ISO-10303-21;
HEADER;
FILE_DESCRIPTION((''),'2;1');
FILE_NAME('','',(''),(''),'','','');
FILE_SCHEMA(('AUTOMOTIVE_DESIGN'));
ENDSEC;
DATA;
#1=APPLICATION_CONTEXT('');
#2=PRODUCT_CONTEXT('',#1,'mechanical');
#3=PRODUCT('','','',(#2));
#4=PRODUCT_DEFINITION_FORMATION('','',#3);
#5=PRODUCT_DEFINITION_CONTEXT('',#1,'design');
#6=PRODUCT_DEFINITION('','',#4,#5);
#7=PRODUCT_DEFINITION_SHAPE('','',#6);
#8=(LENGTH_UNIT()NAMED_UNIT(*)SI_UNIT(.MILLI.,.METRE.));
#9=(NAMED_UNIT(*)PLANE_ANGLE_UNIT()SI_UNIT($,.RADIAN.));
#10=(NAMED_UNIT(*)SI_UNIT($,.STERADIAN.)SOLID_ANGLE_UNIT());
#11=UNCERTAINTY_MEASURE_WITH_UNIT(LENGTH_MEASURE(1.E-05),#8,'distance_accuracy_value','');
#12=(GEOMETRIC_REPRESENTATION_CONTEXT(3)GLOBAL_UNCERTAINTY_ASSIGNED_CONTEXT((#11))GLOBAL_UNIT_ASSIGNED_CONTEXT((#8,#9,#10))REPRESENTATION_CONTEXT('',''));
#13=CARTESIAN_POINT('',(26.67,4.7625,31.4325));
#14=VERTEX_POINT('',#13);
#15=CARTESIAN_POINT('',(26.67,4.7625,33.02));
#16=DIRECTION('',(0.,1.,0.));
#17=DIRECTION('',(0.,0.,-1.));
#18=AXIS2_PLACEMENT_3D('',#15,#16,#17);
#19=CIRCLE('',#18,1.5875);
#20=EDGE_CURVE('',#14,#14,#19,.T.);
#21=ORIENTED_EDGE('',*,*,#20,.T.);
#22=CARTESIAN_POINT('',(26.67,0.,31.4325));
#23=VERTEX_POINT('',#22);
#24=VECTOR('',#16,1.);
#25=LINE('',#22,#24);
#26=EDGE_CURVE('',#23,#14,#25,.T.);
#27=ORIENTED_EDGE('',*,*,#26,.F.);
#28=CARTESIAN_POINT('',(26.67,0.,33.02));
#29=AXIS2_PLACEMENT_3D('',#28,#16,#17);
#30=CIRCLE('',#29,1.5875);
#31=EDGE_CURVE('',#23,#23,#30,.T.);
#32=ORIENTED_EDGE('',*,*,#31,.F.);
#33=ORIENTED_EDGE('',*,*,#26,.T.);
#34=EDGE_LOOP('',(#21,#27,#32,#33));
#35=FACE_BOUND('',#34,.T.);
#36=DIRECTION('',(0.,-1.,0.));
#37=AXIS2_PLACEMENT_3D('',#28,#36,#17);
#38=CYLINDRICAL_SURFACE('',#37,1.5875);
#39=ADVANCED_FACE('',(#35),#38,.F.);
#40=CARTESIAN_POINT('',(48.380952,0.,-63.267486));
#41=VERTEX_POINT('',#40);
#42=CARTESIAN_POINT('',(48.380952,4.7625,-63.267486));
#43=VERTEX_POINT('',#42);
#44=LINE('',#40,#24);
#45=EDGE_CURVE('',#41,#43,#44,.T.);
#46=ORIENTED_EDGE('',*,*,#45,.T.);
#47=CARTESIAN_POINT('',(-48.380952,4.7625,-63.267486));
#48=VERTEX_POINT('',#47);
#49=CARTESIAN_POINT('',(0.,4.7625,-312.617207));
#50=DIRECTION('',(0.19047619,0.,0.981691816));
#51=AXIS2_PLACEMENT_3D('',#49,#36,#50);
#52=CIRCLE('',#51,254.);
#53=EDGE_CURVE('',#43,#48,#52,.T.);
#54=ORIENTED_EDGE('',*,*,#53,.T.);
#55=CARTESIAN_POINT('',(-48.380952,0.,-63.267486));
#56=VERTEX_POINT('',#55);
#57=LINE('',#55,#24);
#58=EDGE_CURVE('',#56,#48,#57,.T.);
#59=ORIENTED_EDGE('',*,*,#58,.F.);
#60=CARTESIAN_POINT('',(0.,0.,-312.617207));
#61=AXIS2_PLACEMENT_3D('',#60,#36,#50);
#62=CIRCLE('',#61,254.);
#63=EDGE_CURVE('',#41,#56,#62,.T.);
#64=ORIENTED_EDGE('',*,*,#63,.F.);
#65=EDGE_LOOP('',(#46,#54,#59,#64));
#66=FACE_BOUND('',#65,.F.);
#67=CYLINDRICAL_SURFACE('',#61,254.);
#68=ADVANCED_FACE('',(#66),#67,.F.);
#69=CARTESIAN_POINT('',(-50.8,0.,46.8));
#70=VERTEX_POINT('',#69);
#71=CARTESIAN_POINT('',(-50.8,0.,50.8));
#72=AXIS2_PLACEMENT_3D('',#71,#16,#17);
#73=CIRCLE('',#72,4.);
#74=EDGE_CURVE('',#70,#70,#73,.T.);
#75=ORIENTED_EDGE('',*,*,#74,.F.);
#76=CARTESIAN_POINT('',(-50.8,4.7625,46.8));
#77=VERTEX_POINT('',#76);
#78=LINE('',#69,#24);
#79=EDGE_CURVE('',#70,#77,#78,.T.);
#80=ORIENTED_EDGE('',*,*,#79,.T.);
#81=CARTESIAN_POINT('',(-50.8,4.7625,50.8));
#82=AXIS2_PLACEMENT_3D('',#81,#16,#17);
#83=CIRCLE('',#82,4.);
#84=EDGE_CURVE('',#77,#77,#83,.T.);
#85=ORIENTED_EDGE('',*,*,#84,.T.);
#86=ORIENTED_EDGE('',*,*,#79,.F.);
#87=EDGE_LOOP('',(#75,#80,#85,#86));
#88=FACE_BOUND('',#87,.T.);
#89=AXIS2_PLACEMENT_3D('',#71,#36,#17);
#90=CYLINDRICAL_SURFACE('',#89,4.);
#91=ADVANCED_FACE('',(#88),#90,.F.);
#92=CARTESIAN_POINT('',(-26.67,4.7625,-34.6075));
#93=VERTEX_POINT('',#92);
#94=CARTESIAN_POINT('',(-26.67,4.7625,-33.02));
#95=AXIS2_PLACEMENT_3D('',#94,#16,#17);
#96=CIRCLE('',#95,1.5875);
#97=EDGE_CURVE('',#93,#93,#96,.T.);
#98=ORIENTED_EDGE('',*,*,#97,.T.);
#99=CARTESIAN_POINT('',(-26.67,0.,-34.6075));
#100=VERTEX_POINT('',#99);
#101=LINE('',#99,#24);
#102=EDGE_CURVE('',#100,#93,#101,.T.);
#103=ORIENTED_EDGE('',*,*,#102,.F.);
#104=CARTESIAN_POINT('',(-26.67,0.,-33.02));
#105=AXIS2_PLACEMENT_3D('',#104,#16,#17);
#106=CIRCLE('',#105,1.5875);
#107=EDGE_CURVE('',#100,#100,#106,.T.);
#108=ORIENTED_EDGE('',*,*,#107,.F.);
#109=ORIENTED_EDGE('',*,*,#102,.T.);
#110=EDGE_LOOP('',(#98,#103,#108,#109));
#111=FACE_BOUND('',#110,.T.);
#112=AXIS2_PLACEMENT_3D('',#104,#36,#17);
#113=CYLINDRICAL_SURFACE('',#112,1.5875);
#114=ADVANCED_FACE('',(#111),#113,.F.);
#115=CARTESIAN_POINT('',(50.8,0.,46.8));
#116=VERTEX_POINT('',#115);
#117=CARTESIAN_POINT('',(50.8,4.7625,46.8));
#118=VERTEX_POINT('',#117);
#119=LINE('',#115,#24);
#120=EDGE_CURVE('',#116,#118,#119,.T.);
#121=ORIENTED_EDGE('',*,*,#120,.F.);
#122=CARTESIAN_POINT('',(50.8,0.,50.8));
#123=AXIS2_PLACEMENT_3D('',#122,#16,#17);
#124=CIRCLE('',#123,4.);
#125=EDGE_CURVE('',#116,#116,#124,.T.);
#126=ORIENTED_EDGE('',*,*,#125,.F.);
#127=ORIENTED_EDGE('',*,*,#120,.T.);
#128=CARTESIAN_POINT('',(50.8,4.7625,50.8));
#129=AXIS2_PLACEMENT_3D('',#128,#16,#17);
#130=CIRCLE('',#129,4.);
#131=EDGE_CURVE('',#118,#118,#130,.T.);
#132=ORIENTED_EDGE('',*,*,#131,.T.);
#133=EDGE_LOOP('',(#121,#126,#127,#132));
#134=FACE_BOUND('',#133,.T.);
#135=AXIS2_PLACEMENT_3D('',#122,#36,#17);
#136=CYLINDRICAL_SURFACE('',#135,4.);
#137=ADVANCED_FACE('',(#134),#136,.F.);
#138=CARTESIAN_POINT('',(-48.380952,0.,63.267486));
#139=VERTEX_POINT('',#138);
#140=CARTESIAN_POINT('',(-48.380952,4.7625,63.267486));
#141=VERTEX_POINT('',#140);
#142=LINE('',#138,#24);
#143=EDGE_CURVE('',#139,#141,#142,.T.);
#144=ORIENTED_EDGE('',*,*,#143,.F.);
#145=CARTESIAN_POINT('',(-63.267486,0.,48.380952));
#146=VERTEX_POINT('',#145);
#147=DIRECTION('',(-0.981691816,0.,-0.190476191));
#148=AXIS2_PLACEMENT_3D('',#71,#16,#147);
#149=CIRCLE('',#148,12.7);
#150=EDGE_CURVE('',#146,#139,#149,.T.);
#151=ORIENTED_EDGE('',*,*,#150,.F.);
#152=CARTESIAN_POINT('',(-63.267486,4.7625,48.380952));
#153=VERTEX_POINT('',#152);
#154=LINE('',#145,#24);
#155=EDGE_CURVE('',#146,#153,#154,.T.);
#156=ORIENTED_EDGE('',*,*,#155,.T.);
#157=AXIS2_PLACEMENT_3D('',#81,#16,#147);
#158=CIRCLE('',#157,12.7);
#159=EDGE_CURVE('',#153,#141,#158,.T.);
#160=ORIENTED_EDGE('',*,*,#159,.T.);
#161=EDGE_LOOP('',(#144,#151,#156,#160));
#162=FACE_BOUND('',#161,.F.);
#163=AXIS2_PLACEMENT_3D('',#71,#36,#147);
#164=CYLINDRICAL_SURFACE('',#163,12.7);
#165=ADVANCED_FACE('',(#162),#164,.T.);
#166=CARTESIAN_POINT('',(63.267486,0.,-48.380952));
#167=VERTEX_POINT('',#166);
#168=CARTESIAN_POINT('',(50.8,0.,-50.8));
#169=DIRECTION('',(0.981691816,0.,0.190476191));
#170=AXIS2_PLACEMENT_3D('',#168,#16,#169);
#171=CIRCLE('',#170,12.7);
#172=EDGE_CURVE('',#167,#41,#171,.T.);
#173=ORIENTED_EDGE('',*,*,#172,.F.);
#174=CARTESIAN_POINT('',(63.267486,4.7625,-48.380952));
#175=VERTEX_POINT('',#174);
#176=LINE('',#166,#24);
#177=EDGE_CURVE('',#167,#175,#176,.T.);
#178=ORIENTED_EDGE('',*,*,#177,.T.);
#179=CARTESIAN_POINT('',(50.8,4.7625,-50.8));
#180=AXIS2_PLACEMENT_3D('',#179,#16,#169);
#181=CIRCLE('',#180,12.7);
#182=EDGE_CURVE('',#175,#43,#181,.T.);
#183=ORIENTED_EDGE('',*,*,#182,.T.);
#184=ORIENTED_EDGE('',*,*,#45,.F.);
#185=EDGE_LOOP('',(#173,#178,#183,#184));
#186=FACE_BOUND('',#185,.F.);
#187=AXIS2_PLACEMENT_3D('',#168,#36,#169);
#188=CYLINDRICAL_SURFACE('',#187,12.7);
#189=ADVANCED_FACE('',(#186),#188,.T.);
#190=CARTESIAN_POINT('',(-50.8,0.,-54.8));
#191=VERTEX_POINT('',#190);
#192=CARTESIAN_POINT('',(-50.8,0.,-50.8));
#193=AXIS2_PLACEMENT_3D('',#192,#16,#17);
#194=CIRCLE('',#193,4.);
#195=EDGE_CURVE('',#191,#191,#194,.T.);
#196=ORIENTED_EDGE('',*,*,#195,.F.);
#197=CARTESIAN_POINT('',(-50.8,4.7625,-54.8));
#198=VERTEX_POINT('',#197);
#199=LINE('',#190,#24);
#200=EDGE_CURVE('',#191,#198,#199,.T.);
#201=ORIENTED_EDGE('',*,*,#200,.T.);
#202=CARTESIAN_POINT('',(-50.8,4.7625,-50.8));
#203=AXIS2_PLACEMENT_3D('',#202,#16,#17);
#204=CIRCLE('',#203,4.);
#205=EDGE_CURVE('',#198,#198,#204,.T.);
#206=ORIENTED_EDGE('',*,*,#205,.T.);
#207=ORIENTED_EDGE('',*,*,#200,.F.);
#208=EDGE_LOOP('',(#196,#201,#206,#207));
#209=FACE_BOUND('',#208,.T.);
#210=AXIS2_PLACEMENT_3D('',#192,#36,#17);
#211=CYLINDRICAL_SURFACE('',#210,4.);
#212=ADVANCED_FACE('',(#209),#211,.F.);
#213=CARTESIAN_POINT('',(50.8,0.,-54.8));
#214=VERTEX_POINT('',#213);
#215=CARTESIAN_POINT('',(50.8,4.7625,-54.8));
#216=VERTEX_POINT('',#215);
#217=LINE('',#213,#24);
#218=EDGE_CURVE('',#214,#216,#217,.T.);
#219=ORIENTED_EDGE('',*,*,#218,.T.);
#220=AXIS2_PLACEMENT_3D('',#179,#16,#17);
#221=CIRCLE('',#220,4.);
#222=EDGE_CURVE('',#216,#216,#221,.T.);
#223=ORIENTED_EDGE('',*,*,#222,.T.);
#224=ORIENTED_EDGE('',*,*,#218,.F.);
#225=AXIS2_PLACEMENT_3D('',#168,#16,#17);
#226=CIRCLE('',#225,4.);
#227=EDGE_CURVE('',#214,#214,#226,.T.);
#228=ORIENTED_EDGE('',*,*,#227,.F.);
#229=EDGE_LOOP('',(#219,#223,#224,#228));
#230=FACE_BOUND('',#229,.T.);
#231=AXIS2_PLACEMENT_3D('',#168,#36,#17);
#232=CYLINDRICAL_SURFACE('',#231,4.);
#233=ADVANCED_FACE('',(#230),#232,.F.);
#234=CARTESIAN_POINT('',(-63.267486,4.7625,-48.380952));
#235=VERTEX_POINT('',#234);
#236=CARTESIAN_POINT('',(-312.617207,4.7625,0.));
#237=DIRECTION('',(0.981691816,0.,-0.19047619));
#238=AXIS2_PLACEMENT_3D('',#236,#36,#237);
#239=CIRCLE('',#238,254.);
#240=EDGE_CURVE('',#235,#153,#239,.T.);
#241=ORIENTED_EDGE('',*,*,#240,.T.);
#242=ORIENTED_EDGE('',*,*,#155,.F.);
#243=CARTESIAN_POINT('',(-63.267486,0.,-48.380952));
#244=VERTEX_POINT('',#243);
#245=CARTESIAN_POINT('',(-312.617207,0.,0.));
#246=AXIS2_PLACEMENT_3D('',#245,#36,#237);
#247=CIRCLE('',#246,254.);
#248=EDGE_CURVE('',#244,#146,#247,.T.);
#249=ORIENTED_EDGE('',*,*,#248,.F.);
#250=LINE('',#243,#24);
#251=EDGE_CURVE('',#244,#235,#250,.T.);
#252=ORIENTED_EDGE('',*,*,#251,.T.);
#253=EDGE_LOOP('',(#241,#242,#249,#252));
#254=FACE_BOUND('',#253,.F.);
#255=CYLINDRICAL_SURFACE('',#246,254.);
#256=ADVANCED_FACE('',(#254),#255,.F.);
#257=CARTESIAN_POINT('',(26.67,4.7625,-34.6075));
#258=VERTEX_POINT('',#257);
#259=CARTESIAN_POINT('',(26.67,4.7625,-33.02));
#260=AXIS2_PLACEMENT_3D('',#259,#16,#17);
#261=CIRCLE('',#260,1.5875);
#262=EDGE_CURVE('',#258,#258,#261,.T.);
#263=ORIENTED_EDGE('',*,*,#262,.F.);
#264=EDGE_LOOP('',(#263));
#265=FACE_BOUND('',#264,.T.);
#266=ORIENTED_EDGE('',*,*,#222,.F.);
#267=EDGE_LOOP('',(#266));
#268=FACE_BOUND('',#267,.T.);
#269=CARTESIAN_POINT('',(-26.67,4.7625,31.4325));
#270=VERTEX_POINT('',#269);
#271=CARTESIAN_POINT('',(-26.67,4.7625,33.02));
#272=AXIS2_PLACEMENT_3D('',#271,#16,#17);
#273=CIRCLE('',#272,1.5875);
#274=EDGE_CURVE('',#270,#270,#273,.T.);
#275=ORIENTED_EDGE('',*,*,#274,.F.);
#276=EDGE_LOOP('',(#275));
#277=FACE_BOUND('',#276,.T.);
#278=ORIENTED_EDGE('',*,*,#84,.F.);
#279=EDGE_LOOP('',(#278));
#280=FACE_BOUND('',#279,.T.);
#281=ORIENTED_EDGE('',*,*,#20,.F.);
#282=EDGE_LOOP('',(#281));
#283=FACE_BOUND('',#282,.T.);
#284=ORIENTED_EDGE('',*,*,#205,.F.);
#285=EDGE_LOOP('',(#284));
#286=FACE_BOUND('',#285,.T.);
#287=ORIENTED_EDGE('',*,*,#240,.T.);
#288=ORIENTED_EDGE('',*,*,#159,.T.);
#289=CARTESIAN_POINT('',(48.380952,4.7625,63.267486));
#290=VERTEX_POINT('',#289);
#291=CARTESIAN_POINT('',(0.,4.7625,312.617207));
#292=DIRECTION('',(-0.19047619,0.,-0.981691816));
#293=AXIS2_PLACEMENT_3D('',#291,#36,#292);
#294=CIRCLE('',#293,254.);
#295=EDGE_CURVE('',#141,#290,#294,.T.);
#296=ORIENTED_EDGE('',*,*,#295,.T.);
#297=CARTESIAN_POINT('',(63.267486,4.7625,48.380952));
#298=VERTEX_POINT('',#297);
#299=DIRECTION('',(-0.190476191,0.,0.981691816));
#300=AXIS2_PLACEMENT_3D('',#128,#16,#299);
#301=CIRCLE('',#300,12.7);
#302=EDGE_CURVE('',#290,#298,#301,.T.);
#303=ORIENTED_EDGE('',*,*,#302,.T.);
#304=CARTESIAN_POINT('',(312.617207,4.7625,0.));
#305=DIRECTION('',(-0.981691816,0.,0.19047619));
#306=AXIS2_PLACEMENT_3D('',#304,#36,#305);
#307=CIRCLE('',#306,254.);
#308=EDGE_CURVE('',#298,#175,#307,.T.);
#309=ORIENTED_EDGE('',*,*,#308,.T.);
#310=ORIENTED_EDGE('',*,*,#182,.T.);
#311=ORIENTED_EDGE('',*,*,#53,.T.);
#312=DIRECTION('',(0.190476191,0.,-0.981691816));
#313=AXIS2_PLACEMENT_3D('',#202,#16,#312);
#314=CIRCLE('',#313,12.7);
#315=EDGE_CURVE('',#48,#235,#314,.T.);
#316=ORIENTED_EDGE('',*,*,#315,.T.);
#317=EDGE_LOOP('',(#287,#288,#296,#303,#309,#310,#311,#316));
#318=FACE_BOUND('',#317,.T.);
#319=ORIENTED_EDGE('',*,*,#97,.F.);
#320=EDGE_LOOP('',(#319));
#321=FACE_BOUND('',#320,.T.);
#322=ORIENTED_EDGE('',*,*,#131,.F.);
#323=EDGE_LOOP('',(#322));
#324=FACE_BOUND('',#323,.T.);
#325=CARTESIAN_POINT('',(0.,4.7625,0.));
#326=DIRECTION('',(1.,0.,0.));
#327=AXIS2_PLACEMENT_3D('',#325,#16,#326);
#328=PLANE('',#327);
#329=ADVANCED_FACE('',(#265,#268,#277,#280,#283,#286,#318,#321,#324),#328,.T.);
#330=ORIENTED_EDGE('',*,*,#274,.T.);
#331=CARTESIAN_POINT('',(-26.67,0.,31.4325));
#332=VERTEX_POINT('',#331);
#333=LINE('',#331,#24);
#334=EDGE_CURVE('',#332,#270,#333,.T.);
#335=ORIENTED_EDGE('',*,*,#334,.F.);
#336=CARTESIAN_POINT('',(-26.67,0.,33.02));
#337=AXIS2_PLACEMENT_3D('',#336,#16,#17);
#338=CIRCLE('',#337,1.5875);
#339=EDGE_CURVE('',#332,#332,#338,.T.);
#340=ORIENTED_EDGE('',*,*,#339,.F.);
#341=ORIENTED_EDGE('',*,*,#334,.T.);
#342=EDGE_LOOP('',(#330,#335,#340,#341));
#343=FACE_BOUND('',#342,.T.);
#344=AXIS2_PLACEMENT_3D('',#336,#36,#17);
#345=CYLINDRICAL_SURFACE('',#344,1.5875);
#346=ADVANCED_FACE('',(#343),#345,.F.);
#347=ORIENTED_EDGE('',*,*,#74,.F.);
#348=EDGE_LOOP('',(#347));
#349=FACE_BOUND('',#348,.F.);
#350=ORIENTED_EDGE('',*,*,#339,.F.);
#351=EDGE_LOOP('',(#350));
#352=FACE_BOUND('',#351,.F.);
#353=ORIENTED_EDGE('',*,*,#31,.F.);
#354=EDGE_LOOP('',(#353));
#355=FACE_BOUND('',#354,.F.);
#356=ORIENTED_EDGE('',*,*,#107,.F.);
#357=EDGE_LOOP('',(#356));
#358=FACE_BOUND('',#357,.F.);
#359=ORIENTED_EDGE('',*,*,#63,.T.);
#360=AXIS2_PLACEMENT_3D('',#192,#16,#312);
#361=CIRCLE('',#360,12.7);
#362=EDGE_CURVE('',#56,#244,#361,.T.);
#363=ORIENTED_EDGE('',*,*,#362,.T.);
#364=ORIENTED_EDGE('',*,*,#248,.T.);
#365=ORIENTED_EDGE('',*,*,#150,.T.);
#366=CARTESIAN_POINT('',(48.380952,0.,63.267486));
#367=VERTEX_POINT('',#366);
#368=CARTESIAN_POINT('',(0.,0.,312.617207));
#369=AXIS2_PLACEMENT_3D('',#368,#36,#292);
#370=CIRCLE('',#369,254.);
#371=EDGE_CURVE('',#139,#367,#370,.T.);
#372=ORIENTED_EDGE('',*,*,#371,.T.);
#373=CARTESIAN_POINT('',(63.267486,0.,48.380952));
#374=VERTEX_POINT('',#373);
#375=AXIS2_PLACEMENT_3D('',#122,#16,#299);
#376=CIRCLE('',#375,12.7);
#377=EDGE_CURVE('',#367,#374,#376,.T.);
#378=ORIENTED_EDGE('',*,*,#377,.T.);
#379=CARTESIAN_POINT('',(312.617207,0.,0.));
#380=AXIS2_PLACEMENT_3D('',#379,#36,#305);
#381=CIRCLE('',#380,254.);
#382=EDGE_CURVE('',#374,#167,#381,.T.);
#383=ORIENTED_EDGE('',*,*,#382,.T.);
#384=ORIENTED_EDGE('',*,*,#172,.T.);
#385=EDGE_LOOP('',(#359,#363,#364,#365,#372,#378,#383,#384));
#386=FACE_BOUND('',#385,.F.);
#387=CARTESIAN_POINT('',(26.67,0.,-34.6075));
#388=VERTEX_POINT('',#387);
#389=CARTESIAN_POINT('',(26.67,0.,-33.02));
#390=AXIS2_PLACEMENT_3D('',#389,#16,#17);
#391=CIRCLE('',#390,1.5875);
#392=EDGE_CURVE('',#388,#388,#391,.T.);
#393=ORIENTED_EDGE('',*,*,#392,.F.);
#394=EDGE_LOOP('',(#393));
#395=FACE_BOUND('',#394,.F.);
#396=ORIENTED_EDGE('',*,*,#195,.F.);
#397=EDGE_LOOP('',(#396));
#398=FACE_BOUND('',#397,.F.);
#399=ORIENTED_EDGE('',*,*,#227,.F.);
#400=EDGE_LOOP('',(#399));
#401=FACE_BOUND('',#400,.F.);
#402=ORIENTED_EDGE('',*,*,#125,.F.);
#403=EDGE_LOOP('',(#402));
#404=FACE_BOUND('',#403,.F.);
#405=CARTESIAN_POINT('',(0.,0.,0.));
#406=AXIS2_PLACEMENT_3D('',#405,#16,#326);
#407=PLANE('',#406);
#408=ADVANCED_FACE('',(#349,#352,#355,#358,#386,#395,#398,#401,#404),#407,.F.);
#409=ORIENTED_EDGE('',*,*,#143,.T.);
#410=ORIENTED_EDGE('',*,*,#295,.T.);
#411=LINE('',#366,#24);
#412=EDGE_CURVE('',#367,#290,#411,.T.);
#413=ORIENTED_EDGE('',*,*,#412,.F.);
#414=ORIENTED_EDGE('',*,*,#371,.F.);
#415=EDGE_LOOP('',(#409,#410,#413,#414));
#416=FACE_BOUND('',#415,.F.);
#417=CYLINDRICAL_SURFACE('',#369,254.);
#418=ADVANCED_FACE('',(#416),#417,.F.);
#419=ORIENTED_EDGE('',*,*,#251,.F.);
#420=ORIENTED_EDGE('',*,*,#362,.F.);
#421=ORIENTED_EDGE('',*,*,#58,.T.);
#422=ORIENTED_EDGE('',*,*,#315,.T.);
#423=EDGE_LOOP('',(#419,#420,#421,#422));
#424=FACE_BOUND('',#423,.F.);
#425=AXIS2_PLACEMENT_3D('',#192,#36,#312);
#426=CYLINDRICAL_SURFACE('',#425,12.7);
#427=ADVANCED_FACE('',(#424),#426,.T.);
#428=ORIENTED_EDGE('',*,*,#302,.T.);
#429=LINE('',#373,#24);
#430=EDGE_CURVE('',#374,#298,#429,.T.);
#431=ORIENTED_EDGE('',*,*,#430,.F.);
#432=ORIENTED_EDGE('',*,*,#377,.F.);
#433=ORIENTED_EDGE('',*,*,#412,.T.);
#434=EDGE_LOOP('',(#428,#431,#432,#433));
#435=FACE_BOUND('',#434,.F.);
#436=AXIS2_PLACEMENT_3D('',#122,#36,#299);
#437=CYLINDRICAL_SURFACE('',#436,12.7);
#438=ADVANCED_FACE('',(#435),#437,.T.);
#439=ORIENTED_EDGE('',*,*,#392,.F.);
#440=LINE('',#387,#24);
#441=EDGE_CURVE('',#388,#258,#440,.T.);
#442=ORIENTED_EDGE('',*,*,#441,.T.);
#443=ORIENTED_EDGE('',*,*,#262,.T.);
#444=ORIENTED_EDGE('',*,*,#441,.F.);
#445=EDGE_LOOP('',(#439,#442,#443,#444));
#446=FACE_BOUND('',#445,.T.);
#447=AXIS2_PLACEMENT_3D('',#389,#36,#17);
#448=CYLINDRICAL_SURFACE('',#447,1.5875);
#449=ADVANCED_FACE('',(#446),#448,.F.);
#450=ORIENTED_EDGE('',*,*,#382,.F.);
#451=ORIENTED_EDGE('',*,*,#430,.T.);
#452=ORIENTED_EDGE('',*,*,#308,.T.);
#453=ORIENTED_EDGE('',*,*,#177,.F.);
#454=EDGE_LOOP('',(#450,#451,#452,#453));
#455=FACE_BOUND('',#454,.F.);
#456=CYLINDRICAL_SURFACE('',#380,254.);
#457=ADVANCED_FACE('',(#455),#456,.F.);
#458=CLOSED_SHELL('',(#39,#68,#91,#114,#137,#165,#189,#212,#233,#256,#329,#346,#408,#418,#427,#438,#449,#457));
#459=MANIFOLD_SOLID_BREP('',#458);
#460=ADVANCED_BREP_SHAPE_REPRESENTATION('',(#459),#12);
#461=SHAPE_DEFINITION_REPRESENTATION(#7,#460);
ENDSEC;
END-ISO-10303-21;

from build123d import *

# Parameters (mm, degrees)
SKETCH1_R           = 4
SKETCH1_R_2         = 1.5875
BOSS_EXTRUDE1_DEPTH = 4.7625


with BuildPart() as part:
    # Sketch1 → Boss-Extrude1 (new body)
    with BuildSketch(Plane(origin=(0, 0, 0), x_dir=(1, 0, 0), z_dir=(0, 1, 0))):
        with BuildLine():
            ThreePointArc((-48.380952381, 63.267486058), (-59.780256121, 59.780256121), (-63.267486058, 48.380952381))
            ThreePointArc((-63.267486058, 48.380952381), (-58.617207227, 0), (-63.267486058, -48.380952381))
            ThreePointArc((-63.267486058, -48.380952381), (-59.780256121, -59.780256121), (-48.380952381, -63.267486058))
            ThreePointArc((-48.380952381, -63.267486058), (0, -58.617207227), (48.380952381, -63.267486058))
            ThreePointArc((48.380952381, -63.267486058), (59.780256121, -59.780256121), (63.267486058, -48.380952381))
            ThreePointArc((63.267486058, -48.380952381), (58.617207227, 0), (63.267486058, 48.380952381))
            ThreePointArc((63.267486058, 48.380952381), (59.780256121, 59.780256121), (48.380952381, 63.267486058))
            ThreePointArc((48.380952381, 63.267486058), (0, 58.617207227), (-48.380952381, 63.267486058))
        make_face()
        with Locations(Location((-50.8, 50.8, 0), (0, 0, 90))):
            Circle(SKETCH1_R, mode=Mode.SUBTRACT)
        with Locations(Location((50.8, 50.8, 0), (0, 0, 90))):
            Circle(SKETCH1_R, mode=Mode.SUBTRACT)
        with Locations(Location((50.8, -50.8, 0), (0, 0, 90))):
            Circle(SKETCH1_R, mode=Mode.SUBTRACT)
        with Locations(Location((-50.8, -50.8, 0), (0, 0, 90))):
            Circle(SKETCH1_R, mode=Mode.SUBTRACT)
        with Locations(Location((-26.67, 33.02, 0), (0, 0, 90))):
            Circle(SKETCH1_R_2, mode=Mode.SUBTRACT)
        with Locations(Location((26.67, 33.02, 0), (0, 0, 90))):
            Circle(SKETCH1_R_2, mode=Mode.SUBTRACT)
        with Locations(Location((-26.67, -33.02, 0), (0, 0, 90))):
            Circle(SKETCH1_R_2, mode=Mode.SUBTRACT)
        with Locations(Location((26.67, -33.02, 0), (0, 0, 90))):
            Circle(SKETCH1_R_2, mode=Mode.SUBTRACT)
    extrude(amount=BOSS_EXTRUDE1_DEPTH)


solid = part.part
